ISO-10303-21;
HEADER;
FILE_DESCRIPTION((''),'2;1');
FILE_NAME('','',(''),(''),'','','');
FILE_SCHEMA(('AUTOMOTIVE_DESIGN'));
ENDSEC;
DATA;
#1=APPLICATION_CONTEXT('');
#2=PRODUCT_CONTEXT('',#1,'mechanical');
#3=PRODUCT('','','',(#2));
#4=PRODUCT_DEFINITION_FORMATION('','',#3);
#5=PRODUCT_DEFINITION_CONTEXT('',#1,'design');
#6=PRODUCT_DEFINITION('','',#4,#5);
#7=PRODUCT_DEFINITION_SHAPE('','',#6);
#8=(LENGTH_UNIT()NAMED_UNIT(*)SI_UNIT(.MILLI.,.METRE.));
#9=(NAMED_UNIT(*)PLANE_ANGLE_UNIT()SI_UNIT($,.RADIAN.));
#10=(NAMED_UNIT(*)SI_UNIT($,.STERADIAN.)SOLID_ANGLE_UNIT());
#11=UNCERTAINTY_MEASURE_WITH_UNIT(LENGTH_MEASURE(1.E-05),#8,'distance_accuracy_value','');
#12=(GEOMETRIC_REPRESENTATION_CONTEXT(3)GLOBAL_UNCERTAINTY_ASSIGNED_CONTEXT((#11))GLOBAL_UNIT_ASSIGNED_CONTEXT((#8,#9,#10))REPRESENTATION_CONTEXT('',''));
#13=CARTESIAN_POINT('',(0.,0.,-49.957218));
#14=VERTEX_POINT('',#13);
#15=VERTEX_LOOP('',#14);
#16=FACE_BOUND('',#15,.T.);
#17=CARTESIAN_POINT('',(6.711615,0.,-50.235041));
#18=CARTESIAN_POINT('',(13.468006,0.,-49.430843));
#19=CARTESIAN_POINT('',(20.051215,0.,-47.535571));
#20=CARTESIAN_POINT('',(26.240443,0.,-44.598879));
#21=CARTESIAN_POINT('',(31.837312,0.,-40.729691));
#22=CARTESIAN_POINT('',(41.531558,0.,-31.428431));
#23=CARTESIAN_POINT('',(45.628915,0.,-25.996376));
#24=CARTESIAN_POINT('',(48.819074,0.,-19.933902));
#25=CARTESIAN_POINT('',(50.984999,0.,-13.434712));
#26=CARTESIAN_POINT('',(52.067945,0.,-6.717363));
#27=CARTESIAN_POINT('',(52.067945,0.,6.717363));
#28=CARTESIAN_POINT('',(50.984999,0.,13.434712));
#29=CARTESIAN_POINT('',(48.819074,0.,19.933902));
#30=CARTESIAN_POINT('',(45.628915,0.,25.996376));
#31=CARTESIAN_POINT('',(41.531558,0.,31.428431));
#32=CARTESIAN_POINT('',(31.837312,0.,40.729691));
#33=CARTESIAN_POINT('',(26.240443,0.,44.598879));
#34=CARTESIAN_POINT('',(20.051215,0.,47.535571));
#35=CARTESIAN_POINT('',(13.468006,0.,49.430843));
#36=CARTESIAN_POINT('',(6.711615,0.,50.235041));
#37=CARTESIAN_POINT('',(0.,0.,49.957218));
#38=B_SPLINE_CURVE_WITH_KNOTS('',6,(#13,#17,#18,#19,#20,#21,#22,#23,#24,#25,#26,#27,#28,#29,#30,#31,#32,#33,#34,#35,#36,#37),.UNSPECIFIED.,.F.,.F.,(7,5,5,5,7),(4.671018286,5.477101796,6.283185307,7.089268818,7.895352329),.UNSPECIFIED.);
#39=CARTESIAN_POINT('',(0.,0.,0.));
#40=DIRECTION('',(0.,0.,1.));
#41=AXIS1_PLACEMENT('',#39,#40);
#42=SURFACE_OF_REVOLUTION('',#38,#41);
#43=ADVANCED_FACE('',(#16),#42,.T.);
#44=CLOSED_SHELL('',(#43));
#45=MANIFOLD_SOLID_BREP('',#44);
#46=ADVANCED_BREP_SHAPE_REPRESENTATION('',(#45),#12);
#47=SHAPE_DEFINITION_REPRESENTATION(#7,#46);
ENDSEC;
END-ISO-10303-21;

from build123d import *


with BuildPart() as f2:
    # F2: sweep along a path in F0
    with BuildLine(Plane.XY) as f2_path:
        CenterArc((0, 0), 50, 0, 360)
    # F1 (on Front) → F2 (sweep)
    with BuildSketch(Plane.XZ):
        with BuildLine():
            Line((0, -49.957218), (0, 0))
            Line((0, 0), (0, 49.957218))
            ThreePointArc((0, 49.957218), (-52.067945, 0), (0, -49.957218))
        make_face()
    sweep(path=f2_path.line)


solid = f2.part
